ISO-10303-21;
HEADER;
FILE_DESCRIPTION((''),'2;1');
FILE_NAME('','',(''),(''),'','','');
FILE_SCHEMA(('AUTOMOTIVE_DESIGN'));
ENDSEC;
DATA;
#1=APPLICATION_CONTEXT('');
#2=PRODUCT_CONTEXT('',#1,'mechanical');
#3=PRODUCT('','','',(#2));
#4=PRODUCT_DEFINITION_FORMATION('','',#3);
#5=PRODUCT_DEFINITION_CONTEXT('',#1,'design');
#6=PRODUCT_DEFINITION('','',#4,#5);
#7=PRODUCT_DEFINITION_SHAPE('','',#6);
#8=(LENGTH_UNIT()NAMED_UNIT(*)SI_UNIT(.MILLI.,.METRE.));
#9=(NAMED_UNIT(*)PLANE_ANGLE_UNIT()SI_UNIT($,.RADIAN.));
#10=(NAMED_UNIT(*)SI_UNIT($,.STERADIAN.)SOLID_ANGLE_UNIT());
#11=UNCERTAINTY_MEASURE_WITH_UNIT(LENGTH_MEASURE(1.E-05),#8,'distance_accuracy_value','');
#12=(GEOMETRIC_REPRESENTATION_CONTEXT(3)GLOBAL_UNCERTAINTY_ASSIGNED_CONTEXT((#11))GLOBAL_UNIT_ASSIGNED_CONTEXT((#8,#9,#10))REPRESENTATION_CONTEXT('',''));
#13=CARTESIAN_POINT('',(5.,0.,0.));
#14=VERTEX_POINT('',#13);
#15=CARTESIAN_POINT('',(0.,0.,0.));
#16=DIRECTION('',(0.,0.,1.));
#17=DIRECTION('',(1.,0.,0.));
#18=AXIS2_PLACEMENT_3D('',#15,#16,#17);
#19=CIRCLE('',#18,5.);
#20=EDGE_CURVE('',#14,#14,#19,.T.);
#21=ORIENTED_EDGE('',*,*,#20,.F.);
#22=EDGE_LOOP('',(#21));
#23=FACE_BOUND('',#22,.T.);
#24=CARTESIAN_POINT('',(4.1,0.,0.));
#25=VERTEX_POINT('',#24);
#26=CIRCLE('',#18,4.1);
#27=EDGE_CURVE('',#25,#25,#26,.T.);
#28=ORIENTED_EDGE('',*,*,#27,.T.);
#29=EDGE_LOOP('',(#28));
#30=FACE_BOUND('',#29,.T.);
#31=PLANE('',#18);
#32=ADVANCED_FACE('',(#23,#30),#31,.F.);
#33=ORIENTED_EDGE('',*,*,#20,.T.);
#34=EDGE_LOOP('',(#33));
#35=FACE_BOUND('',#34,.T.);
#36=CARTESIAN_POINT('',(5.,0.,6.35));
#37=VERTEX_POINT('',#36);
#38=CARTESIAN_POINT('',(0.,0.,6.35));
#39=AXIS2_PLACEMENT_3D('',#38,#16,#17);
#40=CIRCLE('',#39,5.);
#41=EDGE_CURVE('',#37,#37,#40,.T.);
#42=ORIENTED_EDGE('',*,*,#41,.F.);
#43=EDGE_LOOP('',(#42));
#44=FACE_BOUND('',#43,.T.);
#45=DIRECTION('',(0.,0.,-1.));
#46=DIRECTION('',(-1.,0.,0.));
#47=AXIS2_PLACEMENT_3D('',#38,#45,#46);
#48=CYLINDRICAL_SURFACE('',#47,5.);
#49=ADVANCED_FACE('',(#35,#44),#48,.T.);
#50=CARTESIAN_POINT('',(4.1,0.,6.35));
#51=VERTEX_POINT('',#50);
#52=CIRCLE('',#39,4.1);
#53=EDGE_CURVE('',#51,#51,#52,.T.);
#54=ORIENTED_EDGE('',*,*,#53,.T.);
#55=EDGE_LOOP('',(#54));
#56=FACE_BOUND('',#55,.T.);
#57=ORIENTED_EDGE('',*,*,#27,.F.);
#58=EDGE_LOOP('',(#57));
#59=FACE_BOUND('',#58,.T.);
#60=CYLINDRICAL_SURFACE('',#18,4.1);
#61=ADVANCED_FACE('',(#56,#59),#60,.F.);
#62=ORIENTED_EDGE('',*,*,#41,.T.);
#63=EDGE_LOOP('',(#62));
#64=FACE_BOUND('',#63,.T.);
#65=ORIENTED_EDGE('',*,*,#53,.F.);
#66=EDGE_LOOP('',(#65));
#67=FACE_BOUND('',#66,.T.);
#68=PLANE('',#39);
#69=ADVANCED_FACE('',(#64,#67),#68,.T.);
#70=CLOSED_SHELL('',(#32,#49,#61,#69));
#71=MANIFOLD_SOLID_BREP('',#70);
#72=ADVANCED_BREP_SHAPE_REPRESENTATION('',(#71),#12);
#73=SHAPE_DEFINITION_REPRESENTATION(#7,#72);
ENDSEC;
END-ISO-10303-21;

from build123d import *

# Parameters (mm, degrees)
SKETCH1_R           = 5
BOSS_EXTRUDE1_DEPTH = 6.35
SKETCH2_R           = 4.1
CUT_EXTRUDE1_DEPTH  = 7.35


with BuildPart() as part:
    # Sketch1 → Boss-Extrude1 (new body)
    with BuildSketch(Plane.XY):
        Circle(SKETCH1_R)
    extrude(amount=BOSS_EXTRUDE1_DEPTH)

    # Sketch2 → Cut-Extrude1 (cut, through all)
    with BuildSketch(Plane.XY.offset(6.35)):
        Circle(SKETCH2_R)
    extrude(amount=-CUT_EXTRUDE1_DEPTH, mode=Mode.SUBTRACT)


solid = part.part
